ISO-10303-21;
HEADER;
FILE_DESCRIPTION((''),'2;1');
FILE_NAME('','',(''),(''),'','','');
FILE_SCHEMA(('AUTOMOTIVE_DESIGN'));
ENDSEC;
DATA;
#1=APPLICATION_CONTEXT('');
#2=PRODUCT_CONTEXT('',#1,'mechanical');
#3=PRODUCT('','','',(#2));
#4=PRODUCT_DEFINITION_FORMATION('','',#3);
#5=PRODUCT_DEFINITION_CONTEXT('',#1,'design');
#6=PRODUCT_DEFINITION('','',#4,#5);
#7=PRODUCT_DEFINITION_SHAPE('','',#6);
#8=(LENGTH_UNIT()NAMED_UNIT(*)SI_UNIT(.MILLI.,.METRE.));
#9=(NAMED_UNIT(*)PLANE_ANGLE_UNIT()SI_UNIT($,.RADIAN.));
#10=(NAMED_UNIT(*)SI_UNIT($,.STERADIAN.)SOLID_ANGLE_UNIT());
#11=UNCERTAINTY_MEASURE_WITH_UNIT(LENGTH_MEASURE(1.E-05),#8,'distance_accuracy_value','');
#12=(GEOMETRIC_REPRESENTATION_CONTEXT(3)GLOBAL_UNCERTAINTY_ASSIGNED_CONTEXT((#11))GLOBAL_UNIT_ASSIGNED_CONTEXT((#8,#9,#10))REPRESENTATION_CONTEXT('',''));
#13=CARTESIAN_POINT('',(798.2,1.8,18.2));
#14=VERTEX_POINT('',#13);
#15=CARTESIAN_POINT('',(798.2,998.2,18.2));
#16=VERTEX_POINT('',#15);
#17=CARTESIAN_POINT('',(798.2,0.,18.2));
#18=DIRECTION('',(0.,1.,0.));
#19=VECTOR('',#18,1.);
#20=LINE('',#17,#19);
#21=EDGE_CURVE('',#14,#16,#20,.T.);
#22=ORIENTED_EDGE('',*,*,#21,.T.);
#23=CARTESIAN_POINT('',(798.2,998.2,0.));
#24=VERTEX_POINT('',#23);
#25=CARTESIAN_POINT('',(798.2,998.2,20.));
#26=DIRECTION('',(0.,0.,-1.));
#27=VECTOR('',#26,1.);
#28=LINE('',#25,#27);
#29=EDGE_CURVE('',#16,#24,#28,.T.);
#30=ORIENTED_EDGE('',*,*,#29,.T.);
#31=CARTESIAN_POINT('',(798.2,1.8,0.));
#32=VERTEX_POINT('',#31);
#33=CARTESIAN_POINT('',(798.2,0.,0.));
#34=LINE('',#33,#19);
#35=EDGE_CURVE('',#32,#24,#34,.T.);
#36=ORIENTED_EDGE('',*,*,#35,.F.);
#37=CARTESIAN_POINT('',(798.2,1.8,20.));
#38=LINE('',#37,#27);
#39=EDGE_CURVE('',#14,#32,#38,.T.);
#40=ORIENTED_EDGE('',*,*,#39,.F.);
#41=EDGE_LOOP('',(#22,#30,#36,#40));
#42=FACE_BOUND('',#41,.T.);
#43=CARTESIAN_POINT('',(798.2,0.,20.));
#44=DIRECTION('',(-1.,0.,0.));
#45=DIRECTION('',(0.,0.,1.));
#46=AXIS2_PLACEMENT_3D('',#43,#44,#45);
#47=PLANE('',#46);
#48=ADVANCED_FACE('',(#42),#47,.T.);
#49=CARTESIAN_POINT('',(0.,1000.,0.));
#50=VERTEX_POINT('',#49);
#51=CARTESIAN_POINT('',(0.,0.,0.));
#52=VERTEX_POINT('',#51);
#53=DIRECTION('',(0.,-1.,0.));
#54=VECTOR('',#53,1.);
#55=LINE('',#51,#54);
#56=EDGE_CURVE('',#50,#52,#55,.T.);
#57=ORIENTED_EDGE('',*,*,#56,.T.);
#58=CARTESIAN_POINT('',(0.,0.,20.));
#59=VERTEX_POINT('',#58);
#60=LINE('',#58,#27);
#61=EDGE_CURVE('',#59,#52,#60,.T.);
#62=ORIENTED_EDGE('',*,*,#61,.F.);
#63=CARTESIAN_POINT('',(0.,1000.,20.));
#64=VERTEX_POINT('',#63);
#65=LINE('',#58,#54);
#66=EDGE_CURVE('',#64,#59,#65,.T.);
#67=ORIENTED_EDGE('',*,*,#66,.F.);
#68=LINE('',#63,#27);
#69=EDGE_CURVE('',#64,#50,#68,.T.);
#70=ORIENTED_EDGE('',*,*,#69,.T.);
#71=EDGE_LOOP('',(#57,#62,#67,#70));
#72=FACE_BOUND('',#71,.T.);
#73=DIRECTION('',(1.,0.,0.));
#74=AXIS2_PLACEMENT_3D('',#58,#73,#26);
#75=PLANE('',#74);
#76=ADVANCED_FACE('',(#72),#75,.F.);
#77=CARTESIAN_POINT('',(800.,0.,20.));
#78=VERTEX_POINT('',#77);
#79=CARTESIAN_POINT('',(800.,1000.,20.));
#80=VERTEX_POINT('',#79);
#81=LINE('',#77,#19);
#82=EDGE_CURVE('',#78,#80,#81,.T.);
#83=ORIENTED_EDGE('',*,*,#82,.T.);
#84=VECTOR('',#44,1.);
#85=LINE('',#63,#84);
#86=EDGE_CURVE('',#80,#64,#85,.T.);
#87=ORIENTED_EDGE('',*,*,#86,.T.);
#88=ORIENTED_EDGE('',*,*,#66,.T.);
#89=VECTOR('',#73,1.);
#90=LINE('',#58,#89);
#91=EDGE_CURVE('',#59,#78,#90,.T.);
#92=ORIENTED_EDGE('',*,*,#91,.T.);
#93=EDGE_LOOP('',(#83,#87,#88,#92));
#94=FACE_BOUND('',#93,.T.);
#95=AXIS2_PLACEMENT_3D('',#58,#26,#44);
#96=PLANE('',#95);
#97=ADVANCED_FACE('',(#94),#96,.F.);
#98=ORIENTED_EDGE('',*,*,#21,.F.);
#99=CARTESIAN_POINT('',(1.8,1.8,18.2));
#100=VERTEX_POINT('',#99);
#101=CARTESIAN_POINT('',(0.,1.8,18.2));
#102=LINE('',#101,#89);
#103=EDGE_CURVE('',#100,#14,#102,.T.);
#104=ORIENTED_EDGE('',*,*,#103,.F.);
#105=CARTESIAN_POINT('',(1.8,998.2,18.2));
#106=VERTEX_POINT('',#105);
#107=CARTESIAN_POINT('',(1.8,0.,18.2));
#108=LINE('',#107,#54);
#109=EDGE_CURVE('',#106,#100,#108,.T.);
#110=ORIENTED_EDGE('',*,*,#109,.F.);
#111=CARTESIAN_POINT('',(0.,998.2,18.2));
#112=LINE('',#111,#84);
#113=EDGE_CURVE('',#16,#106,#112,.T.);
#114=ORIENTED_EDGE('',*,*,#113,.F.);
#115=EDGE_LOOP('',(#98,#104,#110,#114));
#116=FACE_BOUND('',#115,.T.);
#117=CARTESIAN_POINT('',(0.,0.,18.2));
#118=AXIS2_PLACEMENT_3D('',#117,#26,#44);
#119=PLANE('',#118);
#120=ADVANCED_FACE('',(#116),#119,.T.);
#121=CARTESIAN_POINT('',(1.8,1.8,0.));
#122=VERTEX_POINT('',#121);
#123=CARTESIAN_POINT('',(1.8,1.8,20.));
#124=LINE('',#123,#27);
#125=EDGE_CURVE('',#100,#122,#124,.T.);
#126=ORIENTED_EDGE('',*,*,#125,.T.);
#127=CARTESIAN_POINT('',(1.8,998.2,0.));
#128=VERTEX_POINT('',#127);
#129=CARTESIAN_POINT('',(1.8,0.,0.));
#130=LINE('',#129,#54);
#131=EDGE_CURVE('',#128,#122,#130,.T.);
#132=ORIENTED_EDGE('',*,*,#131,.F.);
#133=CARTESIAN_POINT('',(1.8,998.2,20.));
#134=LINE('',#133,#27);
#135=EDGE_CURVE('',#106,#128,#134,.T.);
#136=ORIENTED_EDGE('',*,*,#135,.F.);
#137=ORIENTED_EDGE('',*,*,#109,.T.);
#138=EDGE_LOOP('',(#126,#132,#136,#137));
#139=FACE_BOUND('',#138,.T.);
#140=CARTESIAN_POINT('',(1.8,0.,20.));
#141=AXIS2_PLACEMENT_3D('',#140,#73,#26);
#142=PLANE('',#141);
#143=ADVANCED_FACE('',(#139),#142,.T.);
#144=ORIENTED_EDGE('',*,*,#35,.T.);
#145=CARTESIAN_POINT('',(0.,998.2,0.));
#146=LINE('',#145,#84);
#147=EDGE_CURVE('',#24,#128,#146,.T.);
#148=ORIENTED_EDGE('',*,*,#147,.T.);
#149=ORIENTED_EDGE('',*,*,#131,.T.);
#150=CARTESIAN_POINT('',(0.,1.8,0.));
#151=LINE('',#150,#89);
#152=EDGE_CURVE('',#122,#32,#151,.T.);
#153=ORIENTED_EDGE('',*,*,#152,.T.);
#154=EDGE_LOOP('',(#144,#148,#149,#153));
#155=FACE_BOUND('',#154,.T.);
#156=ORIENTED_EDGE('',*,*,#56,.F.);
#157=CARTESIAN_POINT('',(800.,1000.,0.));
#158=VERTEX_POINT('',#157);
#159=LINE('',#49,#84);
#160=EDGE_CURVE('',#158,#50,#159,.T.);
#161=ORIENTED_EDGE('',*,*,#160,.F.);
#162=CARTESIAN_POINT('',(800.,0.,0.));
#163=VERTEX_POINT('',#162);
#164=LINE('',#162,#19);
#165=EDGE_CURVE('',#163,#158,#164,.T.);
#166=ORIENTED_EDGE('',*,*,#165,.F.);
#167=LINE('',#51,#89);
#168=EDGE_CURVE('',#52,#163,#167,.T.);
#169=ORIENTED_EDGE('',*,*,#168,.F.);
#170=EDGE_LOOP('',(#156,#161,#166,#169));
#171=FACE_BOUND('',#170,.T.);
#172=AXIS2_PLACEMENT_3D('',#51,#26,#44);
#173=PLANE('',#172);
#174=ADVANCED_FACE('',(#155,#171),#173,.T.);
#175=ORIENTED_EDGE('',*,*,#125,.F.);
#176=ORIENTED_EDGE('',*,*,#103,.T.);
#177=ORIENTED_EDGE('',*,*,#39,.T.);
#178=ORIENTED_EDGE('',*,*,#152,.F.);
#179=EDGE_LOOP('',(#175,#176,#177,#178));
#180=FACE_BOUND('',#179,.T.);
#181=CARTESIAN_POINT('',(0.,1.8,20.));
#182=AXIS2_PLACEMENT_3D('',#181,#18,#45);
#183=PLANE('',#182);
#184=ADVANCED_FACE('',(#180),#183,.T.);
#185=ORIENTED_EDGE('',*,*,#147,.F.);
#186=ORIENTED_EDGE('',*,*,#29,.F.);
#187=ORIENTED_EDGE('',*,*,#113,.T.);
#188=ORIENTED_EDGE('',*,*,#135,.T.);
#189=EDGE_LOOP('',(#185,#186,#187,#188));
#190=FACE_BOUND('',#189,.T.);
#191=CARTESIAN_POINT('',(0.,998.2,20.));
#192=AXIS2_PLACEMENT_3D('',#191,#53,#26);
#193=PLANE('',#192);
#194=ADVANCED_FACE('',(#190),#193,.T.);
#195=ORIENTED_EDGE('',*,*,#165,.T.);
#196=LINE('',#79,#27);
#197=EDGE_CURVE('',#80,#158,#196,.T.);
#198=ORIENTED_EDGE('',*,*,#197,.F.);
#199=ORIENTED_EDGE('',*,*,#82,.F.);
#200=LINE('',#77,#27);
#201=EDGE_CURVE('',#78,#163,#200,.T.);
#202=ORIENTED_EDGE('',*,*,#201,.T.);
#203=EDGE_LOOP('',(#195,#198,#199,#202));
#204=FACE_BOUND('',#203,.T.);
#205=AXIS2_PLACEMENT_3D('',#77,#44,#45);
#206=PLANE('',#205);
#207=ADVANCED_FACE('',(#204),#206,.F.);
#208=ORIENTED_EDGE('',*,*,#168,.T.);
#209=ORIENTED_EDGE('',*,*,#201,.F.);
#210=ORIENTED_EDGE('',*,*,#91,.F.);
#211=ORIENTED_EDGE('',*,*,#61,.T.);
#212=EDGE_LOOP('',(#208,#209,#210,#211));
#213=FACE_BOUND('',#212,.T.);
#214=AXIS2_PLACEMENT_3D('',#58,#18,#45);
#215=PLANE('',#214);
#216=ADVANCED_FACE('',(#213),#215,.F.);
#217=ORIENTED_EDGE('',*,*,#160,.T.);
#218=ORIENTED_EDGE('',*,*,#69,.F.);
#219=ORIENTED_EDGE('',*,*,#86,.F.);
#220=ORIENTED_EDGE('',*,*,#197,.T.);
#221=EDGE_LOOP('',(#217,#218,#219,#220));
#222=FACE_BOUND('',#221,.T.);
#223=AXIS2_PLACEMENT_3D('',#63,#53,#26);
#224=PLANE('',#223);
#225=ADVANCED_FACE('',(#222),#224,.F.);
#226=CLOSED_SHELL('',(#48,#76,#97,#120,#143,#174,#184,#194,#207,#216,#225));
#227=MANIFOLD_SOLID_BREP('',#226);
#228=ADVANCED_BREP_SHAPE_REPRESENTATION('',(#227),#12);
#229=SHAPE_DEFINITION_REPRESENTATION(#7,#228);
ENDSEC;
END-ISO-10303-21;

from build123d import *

# Parameters (mm, degrees)
SKETCH_1_W      = 800
SKETCH_1_H      = 1000
EXTRUDE_1_DEPTH = 20
SHELL_1_T       = -1.8


with BuildPart() as part:
    # 草图1 → 凸台-拉伸1 (new body)
    with BuildSketch(Plane.XY):
        with Locations((400, 500)):
            Rectangle(SKETCH_1_W, SKETCH_1_H)
    extrude(amount=EXTRUDE_1_DEPTH)

    # 抽壳1
    shell_1_openings = [part.faces().sort_by_distance(p)[0] for p in [
        (400, 500, 0),
    ]]
    offset(amount=SHELL_1_T, openings=shell_1_openings, kind=Kind.INTERSECTION)


solid = part.part
